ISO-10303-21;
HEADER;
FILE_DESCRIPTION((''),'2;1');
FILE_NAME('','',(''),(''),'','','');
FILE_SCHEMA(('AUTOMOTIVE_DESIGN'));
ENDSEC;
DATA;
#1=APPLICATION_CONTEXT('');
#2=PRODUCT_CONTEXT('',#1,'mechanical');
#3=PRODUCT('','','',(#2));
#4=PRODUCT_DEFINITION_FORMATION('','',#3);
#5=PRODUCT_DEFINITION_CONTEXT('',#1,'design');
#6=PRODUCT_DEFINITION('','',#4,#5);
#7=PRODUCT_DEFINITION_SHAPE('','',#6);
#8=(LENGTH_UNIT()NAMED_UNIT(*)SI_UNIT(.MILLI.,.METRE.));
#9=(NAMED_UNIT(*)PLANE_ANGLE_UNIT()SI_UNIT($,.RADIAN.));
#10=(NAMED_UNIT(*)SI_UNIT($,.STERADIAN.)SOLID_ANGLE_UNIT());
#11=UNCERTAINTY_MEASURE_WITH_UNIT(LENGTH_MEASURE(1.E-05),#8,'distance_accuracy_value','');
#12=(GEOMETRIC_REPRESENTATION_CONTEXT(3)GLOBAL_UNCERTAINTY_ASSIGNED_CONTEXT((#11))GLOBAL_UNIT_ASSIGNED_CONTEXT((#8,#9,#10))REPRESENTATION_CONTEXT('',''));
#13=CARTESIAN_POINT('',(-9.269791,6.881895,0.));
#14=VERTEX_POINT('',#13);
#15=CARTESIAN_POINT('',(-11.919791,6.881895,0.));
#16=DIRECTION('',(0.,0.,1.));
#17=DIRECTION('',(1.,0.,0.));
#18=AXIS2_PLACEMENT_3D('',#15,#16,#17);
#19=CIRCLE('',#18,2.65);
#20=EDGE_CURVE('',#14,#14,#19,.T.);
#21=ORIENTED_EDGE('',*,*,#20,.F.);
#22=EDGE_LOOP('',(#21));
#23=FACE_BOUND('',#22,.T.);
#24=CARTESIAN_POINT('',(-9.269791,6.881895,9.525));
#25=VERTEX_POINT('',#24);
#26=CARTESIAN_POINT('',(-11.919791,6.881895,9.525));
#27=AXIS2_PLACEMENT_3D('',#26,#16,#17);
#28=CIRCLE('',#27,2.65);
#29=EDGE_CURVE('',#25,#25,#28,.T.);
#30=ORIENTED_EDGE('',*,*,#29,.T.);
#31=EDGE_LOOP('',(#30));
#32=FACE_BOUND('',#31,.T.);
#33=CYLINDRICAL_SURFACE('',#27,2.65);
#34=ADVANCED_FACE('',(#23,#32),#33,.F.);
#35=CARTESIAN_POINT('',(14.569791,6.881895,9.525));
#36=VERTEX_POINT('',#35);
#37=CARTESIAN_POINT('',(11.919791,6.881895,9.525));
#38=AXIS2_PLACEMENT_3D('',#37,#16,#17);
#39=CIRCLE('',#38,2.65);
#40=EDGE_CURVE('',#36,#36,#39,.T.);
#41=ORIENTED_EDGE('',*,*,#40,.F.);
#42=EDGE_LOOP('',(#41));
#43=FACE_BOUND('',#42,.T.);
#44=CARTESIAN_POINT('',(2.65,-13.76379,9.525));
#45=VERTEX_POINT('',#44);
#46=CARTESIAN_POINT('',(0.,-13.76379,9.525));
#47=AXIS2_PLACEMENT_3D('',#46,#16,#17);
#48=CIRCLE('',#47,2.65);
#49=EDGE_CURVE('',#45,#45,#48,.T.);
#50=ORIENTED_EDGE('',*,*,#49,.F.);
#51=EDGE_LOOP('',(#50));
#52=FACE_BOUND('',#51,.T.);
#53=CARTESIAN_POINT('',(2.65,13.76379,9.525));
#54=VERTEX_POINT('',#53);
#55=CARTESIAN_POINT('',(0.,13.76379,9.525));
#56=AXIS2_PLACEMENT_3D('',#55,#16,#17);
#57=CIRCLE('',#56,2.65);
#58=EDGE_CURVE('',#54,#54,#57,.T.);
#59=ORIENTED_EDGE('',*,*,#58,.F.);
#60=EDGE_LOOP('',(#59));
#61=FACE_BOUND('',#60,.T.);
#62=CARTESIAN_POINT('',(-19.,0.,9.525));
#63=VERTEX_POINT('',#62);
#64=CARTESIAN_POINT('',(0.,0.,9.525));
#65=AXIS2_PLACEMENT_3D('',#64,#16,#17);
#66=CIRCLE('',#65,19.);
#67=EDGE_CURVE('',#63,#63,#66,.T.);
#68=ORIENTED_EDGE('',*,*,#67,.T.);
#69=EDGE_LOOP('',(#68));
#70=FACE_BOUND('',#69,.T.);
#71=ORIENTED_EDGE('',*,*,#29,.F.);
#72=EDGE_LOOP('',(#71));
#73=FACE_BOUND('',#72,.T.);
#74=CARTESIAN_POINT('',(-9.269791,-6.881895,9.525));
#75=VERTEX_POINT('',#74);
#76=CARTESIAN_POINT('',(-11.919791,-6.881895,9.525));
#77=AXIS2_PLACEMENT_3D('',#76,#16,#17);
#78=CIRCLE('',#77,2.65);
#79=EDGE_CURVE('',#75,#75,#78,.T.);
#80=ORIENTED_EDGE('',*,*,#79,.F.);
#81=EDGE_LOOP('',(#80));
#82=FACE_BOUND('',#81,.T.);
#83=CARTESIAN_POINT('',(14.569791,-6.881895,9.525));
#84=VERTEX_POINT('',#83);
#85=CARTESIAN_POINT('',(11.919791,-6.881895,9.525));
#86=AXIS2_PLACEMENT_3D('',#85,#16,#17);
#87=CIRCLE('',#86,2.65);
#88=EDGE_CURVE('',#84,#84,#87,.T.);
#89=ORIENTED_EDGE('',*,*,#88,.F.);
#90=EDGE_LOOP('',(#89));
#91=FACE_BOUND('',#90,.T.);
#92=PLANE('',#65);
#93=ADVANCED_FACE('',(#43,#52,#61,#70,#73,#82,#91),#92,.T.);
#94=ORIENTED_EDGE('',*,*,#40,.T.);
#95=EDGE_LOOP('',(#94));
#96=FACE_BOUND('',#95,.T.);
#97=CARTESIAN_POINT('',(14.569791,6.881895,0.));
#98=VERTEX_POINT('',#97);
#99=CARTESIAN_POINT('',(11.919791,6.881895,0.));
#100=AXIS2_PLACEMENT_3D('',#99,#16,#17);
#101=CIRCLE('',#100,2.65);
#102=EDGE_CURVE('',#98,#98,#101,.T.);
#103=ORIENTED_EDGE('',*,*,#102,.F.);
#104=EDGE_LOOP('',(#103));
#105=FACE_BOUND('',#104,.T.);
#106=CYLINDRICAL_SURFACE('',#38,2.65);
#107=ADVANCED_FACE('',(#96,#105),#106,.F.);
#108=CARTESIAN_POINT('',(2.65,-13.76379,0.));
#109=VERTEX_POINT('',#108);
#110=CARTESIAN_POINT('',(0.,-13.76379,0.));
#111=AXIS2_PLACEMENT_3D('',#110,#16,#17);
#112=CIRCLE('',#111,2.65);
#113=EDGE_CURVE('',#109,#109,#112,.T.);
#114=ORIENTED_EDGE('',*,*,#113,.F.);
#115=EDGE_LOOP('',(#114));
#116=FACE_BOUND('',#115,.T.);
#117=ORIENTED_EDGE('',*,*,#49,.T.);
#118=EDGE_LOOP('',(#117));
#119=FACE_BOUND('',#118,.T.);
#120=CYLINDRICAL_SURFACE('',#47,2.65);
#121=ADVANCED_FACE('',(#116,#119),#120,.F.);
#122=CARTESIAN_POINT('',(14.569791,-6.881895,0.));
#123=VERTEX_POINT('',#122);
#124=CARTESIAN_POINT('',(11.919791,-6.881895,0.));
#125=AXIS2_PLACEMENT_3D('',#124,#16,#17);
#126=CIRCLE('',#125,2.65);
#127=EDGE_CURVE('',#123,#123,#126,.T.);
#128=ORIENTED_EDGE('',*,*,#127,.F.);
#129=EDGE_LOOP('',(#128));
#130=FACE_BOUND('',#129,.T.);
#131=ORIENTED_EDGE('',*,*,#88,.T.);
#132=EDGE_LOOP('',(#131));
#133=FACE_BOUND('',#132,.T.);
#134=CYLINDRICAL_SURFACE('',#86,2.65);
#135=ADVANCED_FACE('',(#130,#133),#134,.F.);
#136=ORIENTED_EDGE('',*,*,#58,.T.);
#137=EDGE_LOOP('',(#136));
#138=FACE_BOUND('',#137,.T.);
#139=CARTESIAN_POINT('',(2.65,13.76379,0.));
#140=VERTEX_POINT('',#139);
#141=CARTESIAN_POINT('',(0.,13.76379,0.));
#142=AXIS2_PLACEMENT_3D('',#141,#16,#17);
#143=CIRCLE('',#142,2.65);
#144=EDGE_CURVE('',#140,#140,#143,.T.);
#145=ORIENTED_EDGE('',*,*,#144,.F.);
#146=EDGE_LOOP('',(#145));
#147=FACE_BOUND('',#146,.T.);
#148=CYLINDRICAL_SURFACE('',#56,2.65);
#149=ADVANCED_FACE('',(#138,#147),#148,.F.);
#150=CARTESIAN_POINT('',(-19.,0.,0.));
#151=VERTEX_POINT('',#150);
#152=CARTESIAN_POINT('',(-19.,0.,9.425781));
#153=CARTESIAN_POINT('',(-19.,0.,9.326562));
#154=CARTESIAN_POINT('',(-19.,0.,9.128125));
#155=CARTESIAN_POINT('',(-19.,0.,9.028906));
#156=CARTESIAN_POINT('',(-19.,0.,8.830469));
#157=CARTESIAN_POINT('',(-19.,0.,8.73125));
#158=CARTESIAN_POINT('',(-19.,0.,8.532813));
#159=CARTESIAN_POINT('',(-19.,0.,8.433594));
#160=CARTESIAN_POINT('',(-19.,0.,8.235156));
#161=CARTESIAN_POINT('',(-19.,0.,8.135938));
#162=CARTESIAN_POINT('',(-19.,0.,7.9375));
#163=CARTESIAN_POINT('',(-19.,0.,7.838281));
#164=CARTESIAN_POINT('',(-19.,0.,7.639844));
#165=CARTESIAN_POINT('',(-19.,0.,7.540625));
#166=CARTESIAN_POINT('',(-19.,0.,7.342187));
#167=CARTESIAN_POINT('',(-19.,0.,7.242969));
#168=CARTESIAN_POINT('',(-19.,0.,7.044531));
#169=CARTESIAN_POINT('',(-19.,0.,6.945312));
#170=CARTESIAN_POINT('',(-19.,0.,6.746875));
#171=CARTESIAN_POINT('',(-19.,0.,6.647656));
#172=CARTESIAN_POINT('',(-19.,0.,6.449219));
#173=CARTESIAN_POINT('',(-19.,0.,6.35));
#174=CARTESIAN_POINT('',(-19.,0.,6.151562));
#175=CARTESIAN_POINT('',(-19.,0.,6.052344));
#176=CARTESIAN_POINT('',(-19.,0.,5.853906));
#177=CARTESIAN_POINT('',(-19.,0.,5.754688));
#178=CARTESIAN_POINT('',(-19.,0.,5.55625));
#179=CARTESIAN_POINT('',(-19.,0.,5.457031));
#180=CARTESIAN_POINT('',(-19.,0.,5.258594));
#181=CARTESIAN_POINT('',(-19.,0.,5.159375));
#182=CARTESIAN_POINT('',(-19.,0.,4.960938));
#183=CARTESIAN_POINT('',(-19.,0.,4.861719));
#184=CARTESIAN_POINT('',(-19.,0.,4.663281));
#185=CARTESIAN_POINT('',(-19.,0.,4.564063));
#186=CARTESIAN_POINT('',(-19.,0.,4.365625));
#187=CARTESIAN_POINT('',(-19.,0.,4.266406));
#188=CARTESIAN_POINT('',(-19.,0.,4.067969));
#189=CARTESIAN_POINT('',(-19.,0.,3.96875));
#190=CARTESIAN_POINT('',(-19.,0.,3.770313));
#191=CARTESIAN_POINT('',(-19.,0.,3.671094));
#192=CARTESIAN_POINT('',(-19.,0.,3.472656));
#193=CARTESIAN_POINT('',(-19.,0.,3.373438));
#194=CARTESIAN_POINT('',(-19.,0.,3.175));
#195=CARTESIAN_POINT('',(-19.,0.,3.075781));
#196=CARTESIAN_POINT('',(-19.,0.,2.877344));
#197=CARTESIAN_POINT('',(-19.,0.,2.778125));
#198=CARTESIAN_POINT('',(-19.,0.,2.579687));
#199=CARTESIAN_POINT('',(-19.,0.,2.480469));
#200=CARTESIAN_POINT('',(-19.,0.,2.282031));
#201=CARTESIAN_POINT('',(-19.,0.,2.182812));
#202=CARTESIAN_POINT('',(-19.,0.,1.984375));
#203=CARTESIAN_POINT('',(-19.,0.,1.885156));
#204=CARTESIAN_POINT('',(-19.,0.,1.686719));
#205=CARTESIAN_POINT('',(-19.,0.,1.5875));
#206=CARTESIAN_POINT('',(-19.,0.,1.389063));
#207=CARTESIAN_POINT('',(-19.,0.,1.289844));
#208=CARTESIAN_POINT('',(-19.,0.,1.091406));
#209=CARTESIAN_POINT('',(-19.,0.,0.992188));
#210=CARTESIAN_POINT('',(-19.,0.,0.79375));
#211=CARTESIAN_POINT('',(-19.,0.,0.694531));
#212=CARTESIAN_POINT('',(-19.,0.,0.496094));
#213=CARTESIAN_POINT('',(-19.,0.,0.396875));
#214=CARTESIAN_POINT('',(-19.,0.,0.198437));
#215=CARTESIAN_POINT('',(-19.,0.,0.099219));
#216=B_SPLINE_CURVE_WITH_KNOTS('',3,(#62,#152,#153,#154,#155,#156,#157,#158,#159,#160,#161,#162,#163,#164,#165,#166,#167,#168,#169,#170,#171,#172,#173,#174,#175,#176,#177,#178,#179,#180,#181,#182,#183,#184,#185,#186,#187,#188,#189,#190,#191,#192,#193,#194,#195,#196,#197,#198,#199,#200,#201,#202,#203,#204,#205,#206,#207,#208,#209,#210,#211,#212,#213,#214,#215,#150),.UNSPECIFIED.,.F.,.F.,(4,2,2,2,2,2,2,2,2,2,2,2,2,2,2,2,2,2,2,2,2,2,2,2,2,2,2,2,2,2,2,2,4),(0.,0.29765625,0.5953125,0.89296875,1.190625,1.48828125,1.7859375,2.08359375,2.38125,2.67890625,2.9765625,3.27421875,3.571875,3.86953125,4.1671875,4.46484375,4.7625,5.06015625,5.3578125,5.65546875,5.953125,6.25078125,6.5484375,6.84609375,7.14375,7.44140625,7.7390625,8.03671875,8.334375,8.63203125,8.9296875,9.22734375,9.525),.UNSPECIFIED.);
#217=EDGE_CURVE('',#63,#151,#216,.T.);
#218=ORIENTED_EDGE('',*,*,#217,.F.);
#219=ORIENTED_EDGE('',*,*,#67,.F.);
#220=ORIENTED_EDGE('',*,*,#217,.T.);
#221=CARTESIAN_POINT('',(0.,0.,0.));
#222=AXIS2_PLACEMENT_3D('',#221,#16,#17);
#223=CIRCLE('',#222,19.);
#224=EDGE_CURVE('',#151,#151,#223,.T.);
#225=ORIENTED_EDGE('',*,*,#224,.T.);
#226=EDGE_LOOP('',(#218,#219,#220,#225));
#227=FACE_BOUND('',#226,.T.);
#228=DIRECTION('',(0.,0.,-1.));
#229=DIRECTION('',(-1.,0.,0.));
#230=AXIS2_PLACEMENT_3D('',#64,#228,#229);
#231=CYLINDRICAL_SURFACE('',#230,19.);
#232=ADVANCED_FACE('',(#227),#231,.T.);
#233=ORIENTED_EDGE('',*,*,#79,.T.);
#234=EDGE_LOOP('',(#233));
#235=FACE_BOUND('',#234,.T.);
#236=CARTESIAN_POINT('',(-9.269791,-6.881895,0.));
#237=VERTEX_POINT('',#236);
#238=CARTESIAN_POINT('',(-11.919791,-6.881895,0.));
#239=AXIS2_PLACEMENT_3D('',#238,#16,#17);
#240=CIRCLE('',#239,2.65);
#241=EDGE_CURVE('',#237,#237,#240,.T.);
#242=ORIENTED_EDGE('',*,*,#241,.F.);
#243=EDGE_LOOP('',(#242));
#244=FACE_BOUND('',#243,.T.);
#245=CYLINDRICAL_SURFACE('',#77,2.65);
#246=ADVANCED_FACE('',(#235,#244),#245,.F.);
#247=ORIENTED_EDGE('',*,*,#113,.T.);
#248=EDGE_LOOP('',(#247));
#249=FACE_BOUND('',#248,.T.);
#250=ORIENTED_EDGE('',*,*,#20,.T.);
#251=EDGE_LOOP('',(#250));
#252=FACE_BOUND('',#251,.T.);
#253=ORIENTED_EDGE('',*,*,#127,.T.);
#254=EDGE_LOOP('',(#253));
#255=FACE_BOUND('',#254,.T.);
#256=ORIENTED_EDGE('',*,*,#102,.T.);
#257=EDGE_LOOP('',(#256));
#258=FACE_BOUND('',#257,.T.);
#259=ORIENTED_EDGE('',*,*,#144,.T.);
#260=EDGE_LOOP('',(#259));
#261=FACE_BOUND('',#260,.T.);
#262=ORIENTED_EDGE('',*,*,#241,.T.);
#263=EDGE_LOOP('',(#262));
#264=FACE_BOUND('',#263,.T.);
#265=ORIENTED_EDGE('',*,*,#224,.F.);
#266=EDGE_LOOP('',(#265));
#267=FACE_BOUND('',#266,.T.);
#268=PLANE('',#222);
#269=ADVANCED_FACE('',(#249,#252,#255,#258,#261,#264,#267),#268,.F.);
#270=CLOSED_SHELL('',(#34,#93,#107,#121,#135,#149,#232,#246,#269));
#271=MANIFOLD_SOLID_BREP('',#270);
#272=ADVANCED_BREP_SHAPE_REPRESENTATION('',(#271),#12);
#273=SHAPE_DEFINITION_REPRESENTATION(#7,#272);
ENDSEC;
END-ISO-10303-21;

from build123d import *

# Parameters (mm, degrees)
SKETCH1_R            = 19
BOSS_EXTRUDE1_DEPTH  = 9.525
M5_CLEARANCE_HOLE1_D = 5.3


with BuildPart() as part:
    # Sketch1 → Boss-Extrude1 (new body)
    with BuildSketch(Plane.XY):
        with Locations(Location((0, 0, 0), (0, 0, 180))):
            Circle(SKETCH1_R)
    extrude(amount=BOSS_EXTRUDE1_DEPTH)

    # M5 Clearance Hole1 (through all)
    with Locations(Plane.XY.offset(9.525)):
        with Locations((-11.919791467, 6.881894812), (0, 13.763789624), (11.919791467, 6.881894812), (11.919791467, -6.881894812), (0, -13.763789624), (-11.919791467, -6.881894812)):
            Hole(M5_CLEARANCE_HOLE1_D / 2)


solid = part.part
